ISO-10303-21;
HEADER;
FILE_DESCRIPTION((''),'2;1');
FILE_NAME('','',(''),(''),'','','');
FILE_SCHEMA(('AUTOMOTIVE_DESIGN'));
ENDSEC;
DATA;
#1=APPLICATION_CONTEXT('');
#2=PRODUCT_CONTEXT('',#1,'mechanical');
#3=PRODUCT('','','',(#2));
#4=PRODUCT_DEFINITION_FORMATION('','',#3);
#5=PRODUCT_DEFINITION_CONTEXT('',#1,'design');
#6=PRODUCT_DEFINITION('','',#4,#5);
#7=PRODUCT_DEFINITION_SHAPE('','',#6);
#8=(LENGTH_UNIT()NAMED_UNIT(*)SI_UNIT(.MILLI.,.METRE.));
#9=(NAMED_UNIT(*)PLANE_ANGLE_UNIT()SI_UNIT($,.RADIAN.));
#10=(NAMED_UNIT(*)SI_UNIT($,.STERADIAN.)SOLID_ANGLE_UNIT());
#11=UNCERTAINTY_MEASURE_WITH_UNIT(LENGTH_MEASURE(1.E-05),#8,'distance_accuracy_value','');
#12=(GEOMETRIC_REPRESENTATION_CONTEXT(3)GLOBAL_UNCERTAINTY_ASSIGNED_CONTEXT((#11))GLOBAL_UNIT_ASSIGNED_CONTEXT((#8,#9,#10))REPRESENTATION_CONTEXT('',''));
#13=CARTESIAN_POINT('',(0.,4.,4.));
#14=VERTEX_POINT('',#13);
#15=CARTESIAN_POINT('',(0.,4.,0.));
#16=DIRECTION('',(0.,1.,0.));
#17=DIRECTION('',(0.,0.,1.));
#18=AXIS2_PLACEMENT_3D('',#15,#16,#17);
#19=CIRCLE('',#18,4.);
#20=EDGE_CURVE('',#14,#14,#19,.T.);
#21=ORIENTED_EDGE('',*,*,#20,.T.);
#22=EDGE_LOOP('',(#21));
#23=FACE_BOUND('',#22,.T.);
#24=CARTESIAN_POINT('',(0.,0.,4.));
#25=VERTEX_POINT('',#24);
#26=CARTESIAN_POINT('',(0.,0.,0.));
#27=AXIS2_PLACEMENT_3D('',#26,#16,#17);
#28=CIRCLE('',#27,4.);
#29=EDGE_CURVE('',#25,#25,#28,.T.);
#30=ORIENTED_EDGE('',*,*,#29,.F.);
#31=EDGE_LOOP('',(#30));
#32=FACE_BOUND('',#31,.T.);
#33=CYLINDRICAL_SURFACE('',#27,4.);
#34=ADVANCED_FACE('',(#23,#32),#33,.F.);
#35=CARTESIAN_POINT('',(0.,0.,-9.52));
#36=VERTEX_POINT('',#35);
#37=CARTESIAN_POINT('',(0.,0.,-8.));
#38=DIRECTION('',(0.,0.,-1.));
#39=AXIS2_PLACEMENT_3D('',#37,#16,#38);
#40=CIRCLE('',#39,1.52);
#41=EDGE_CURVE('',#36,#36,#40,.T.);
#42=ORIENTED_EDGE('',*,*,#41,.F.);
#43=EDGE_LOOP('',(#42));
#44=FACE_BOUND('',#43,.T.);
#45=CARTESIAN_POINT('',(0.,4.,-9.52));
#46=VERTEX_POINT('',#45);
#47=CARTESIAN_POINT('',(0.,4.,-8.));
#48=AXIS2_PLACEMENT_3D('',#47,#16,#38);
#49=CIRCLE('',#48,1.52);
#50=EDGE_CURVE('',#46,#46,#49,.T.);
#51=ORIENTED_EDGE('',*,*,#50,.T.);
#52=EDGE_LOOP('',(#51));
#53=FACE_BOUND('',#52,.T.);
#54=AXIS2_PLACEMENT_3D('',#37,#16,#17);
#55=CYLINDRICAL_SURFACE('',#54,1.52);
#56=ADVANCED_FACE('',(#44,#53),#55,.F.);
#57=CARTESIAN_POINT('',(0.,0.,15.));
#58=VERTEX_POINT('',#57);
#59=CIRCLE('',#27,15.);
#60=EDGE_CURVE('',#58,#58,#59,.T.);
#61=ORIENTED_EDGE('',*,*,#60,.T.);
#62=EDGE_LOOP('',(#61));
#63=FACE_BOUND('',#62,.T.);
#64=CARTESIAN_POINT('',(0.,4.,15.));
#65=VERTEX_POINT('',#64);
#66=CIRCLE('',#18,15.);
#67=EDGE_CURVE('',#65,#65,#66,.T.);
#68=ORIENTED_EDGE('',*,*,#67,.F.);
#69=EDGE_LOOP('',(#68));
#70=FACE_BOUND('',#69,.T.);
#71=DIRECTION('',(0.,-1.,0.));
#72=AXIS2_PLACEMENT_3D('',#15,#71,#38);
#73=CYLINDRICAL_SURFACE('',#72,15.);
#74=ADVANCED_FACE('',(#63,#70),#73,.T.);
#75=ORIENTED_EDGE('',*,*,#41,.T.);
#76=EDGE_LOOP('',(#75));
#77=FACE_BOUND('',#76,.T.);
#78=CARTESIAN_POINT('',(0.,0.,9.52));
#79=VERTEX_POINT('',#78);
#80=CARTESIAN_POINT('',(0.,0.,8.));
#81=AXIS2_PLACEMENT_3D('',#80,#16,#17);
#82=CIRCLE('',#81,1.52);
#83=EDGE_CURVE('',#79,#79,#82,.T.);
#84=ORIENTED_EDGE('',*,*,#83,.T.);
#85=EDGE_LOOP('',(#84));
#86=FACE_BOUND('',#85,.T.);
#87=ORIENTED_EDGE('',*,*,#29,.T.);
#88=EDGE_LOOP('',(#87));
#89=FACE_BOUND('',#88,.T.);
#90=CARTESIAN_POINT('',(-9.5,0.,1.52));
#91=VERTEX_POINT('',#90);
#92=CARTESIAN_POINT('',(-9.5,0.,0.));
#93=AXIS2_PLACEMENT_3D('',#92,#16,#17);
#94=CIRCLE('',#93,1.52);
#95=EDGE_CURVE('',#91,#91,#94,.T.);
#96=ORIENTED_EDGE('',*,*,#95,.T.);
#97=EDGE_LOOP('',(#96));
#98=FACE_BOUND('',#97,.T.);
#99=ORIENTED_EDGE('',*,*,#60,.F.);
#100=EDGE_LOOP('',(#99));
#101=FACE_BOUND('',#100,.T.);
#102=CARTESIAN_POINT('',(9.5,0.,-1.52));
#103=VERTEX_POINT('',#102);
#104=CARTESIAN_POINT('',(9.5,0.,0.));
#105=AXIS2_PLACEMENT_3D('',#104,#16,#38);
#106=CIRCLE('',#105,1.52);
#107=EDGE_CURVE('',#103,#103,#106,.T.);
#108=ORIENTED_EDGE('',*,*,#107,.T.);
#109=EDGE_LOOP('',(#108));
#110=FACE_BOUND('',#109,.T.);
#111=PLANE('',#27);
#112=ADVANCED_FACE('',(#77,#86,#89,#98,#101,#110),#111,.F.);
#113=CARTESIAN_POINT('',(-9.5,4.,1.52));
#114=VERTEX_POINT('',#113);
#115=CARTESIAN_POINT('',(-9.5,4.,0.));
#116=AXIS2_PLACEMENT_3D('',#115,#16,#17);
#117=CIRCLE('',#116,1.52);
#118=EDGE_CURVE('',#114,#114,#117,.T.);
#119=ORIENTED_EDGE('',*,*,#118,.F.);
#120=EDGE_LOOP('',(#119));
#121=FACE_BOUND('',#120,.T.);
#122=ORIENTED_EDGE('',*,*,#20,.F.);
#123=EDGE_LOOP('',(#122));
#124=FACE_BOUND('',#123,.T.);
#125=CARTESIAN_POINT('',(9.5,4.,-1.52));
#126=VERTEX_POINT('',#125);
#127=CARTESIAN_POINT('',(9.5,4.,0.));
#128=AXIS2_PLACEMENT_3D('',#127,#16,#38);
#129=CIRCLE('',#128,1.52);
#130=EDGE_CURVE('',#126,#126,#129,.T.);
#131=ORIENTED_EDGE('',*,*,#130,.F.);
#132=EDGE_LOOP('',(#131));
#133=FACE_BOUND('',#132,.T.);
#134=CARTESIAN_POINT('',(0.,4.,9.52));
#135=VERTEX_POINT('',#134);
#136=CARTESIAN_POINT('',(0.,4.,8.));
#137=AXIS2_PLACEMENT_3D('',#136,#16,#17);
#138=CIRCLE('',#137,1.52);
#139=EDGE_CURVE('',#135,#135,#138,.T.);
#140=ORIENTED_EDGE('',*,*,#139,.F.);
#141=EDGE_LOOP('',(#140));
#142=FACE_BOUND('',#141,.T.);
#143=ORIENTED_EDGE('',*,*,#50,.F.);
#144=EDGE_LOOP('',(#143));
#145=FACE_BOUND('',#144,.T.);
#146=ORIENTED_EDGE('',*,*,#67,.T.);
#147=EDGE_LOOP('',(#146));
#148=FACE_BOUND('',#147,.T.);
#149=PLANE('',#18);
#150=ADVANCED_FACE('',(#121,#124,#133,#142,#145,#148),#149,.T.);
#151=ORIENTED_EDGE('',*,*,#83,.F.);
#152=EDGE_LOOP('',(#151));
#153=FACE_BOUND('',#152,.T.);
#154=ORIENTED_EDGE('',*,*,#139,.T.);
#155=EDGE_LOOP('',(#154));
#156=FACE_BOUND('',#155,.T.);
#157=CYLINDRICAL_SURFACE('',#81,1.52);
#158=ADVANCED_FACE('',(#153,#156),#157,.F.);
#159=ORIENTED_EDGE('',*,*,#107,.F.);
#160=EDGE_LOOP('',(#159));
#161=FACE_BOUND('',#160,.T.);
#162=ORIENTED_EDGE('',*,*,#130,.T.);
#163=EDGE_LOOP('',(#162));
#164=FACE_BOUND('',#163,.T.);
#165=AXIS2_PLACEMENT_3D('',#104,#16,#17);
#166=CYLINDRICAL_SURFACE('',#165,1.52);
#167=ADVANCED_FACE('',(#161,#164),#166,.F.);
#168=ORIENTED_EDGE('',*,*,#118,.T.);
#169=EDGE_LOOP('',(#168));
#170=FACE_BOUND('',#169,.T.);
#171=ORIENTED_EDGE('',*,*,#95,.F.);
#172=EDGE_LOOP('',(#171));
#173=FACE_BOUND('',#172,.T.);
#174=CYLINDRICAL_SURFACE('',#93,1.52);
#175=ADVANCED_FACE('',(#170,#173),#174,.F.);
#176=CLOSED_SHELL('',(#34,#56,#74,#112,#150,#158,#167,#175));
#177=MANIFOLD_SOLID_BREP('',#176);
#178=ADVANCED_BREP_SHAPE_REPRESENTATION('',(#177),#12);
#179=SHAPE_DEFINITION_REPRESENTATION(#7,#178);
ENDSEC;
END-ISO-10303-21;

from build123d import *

# Parameters (mm, degrees)
SKETCH_1_R          = 15
EXTRUDE_1_DEPTH     = 4
SKETCH_2_R          = 1.52
SKETCH_2_R_2        = 4
CUT_EXTRUDE_1_DEPTH = 4


with BuildPart() as part:
    # 草图1 → 凸台-拉伸1 (new body)
    with BuildSketch(Plane(origin=(0, 0, 0), x_dir=(1, 0, 0), z_dir=(0, 1, 0))):
        with Locations(Location((0, 0, 0), (0, 0, 270))):
            Circle(SKETCH_1_R)
    extrude(amount=EXTRUDE_1_DEPTH)

    # 草图2 → 切除-拉伸1 (cut)
    with BuildSketch(Plane(origin=(0, 4, 0), x_dir=(1, 0, 0), z_dir=(0, 1, 0))):
        with Locations(Location((-9.5, 0, 0), (0, 0, 270))):
            Circle(SKETCH_2_R)
        with Locations(Location((0, -8, 0), (0, 0, 270))):
            Circle(SKETCH_2_R)
        with Locations(Location((9.5, 0, 0), (0, 0, 90))):
            Circle(SKETCH_2_R)
        with Locations(Location((0, 8, 0), (0, 0, 90))):
            Circle(SKETCH_2_R)
        with Locations(Location((0, 0, 0), (0, 0, 270))):
            Circle(SKETCH_2_R_2)
    extrude(amount=-CUT_EXTRUDE_1_DEPTH, mode=Mode.SUBTRACT)


solid = part.part
